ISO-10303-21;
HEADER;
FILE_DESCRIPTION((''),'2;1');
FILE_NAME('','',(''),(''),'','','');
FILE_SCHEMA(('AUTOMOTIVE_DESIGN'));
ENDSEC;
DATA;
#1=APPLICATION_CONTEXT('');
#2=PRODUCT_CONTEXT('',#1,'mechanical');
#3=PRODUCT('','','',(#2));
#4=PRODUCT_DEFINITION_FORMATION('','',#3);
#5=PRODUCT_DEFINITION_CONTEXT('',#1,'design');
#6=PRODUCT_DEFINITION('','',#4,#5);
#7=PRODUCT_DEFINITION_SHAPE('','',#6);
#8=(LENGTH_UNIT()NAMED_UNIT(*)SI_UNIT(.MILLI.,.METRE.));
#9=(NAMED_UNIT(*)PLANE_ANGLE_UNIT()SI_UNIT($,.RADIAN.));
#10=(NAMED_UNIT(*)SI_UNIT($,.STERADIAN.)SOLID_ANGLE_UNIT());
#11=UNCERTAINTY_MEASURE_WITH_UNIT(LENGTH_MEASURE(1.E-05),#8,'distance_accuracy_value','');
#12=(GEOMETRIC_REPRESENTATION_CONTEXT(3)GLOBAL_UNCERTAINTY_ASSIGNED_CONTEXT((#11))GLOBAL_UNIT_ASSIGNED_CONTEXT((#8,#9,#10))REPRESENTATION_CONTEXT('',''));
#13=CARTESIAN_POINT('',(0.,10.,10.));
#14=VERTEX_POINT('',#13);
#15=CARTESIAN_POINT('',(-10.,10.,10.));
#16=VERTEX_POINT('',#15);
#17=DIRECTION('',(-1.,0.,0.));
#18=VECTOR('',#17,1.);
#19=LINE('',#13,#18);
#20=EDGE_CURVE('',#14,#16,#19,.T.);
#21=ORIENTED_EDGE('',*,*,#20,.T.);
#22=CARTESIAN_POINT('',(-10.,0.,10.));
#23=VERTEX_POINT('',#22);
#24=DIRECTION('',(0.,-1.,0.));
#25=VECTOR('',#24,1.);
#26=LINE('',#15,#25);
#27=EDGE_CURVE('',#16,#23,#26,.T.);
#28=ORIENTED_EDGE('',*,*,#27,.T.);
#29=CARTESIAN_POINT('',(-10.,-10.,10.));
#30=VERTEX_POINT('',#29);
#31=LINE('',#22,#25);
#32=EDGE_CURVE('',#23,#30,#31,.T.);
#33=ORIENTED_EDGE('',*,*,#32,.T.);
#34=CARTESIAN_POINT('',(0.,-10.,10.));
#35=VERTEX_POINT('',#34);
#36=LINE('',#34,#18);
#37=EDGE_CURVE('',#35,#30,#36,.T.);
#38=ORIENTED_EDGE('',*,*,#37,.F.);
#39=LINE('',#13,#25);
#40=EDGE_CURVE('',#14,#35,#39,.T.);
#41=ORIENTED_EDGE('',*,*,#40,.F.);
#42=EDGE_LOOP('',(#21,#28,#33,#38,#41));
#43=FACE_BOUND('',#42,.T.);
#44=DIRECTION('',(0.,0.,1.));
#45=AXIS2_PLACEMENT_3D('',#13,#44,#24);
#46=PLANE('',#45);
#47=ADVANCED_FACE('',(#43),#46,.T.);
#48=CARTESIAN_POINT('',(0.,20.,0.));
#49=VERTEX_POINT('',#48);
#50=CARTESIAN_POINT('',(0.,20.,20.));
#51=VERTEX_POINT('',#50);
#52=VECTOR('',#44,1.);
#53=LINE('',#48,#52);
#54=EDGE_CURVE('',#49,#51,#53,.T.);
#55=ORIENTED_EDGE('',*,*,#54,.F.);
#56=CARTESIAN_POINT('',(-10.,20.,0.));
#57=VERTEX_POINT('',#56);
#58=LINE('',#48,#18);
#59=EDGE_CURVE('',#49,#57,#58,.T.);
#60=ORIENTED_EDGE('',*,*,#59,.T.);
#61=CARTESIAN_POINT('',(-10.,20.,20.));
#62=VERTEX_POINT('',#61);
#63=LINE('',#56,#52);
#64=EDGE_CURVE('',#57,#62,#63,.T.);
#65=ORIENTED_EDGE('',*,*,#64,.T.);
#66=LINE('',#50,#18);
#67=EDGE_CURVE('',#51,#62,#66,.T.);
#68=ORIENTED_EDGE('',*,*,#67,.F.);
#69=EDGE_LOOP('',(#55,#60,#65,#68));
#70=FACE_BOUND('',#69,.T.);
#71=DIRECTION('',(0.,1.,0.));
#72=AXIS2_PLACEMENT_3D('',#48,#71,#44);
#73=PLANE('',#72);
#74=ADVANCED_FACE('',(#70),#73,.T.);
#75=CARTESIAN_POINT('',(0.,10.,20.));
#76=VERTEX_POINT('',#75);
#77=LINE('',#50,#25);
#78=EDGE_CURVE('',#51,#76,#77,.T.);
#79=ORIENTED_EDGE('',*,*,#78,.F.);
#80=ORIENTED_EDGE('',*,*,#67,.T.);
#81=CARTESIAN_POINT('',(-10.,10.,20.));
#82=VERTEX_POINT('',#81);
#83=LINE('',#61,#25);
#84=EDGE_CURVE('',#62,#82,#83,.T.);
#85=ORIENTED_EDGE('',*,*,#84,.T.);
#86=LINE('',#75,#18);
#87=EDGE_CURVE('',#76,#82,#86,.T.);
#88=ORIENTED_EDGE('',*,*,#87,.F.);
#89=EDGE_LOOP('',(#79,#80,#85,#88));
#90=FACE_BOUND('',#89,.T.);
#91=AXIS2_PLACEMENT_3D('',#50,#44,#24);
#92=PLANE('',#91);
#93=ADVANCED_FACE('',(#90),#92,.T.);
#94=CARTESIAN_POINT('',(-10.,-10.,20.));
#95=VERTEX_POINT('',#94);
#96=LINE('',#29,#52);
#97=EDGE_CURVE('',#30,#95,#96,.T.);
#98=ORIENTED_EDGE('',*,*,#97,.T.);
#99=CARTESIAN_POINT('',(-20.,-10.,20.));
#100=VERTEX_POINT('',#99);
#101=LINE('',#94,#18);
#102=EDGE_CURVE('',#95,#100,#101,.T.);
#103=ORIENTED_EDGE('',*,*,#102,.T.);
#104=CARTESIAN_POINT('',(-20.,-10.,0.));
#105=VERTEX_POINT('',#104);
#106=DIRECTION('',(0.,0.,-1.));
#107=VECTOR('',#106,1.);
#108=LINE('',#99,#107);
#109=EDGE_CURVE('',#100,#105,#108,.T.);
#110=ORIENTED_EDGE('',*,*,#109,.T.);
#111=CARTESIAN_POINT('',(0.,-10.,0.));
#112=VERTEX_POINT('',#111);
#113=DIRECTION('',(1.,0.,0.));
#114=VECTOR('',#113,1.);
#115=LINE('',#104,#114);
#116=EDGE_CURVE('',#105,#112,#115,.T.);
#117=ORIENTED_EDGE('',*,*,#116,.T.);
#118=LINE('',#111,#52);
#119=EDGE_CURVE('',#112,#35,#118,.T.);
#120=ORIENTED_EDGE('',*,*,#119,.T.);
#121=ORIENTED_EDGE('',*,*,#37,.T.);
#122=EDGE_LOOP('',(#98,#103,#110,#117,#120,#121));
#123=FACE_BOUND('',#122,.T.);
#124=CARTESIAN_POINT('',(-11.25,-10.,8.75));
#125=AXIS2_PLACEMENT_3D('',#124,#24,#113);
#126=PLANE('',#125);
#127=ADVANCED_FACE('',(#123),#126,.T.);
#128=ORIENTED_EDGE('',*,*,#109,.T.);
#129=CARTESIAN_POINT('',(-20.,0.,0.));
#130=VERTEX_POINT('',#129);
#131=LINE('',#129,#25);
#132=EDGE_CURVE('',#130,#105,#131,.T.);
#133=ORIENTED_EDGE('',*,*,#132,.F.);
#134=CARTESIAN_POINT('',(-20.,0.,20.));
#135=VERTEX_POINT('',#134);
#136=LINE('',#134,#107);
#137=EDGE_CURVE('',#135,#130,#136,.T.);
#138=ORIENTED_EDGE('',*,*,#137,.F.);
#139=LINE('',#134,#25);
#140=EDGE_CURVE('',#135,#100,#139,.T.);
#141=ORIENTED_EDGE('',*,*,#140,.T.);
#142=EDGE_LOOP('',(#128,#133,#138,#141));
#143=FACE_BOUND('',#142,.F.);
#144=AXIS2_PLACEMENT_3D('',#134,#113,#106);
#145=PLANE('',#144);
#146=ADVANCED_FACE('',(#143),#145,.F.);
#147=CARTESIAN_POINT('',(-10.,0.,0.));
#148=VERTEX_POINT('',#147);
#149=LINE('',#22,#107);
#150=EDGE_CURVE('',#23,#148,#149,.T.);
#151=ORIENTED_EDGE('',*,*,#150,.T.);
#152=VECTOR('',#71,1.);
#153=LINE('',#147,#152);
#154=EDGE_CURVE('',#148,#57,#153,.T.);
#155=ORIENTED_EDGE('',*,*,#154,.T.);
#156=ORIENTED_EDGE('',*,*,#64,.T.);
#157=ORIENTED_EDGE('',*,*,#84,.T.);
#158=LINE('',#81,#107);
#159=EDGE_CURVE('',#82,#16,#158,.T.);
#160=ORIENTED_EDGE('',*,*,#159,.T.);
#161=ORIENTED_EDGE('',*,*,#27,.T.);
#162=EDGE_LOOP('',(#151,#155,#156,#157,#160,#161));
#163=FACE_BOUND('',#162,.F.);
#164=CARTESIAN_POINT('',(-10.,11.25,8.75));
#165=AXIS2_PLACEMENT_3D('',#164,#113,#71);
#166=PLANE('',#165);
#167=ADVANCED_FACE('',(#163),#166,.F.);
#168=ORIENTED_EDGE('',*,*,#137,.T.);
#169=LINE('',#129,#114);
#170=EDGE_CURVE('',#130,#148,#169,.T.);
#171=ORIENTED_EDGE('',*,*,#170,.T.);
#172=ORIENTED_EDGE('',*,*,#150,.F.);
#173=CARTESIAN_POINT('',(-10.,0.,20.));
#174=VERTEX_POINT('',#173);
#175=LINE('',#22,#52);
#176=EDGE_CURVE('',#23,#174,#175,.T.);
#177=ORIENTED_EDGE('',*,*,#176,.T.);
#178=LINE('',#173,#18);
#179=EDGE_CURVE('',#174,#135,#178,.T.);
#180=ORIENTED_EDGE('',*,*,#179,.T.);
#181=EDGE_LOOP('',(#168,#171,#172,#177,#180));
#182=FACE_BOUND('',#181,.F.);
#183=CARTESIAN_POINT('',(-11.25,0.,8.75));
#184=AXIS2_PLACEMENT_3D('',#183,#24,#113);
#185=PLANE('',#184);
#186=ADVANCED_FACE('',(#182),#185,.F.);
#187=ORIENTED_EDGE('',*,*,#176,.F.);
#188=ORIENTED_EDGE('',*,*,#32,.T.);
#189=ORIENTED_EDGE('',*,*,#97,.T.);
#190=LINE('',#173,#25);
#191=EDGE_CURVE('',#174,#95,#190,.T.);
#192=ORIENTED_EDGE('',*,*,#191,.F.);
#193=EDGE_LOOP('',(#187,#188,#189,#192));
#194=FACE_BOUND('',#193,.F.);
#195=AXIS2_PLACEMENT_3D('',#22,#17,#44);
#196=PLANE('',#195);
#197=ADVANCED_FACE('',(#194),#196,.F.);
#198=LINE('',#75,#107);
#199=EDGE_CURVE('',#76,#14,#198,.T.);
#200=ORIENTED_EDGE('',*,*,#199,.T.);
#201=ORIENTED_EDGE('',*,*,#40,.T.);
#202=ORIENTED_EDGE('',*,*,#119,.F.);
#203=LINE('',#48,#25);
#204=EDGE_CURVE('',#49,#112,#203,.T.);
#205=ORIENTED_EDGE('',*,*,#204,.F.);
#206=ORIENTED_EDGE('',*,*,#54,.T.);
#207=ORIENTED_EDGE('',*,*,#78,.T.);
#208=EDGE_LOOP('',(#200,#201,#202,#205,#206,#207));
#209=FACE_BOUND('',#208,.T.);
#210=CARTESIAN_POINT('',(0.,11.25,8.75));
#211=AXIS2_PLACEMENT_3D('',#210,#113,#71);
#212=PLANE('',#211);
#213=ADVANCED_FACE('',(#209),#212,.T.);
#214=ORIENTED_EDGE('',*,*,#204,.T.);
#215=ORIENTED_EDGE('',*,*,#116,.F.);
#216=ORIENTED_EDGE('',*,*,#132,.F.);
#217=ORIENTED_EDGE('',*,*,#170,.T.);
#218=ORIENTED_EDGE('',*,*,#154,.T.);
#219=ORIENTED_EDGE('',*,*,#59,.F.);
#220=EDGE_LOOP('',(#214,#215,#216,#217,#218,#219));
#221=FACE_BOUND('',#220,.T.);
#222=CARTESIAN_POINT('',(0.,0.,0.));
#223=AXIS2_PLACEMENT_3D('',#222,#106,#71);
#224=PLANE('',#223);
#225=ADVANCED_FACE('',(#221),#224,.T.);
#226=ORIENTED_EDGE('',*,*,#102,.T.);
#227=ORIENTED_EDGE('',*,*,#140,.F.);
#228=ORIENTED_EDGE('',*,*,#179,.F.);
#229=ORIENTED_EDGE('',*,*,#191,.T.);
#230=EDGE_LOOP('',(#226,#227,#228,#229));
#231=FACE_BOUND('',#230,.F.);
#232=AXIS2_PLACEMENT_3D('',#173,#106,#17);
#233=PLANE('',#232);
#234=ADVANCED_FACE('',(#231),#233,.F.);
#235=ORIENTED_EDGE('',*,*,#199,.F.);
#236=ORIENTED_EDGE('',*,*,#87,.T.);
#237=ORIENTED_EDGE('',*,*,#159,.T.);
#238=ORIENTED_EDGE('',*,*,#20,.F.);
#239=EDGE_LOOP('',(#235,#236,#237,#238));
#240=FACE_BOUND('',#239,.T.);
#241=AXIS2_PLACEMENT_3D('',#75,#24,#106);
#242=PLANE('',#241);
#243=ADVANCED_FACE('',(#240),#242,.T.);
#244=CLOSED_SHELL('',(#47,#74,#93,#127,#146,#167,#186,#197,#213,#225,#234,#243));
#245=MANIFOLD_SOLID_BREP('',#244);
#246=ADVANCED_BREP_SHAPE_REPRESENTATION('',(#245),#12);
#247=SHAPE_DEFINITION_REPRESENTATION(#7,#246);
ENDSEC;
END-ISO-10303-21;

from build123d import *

# Parameters (mm, degrees)
F1_DEPTH = 10
F3_DEPTH = 10


with BuildPart() as f1:
    # F0 (on Front) → F1 (new body)
    with BuildSketch(Plane.XZ):
        Polygon((-10, 20), (-20, 20), (-20, 0), (0, 0), (0, 10), (-10, 10), align=None)
    extrude(amount=F1_DEPTH)

    # F2 (on Right) → F3 (join)
    with BuildSketch(Plane.YZ):
        Polygon((0, 10), (0, 0), (20, 0), (20, 20), (10, 20), (10, 10), align=None)
    extrude(amount=-F3_DEPTH)


solid = f1.part
